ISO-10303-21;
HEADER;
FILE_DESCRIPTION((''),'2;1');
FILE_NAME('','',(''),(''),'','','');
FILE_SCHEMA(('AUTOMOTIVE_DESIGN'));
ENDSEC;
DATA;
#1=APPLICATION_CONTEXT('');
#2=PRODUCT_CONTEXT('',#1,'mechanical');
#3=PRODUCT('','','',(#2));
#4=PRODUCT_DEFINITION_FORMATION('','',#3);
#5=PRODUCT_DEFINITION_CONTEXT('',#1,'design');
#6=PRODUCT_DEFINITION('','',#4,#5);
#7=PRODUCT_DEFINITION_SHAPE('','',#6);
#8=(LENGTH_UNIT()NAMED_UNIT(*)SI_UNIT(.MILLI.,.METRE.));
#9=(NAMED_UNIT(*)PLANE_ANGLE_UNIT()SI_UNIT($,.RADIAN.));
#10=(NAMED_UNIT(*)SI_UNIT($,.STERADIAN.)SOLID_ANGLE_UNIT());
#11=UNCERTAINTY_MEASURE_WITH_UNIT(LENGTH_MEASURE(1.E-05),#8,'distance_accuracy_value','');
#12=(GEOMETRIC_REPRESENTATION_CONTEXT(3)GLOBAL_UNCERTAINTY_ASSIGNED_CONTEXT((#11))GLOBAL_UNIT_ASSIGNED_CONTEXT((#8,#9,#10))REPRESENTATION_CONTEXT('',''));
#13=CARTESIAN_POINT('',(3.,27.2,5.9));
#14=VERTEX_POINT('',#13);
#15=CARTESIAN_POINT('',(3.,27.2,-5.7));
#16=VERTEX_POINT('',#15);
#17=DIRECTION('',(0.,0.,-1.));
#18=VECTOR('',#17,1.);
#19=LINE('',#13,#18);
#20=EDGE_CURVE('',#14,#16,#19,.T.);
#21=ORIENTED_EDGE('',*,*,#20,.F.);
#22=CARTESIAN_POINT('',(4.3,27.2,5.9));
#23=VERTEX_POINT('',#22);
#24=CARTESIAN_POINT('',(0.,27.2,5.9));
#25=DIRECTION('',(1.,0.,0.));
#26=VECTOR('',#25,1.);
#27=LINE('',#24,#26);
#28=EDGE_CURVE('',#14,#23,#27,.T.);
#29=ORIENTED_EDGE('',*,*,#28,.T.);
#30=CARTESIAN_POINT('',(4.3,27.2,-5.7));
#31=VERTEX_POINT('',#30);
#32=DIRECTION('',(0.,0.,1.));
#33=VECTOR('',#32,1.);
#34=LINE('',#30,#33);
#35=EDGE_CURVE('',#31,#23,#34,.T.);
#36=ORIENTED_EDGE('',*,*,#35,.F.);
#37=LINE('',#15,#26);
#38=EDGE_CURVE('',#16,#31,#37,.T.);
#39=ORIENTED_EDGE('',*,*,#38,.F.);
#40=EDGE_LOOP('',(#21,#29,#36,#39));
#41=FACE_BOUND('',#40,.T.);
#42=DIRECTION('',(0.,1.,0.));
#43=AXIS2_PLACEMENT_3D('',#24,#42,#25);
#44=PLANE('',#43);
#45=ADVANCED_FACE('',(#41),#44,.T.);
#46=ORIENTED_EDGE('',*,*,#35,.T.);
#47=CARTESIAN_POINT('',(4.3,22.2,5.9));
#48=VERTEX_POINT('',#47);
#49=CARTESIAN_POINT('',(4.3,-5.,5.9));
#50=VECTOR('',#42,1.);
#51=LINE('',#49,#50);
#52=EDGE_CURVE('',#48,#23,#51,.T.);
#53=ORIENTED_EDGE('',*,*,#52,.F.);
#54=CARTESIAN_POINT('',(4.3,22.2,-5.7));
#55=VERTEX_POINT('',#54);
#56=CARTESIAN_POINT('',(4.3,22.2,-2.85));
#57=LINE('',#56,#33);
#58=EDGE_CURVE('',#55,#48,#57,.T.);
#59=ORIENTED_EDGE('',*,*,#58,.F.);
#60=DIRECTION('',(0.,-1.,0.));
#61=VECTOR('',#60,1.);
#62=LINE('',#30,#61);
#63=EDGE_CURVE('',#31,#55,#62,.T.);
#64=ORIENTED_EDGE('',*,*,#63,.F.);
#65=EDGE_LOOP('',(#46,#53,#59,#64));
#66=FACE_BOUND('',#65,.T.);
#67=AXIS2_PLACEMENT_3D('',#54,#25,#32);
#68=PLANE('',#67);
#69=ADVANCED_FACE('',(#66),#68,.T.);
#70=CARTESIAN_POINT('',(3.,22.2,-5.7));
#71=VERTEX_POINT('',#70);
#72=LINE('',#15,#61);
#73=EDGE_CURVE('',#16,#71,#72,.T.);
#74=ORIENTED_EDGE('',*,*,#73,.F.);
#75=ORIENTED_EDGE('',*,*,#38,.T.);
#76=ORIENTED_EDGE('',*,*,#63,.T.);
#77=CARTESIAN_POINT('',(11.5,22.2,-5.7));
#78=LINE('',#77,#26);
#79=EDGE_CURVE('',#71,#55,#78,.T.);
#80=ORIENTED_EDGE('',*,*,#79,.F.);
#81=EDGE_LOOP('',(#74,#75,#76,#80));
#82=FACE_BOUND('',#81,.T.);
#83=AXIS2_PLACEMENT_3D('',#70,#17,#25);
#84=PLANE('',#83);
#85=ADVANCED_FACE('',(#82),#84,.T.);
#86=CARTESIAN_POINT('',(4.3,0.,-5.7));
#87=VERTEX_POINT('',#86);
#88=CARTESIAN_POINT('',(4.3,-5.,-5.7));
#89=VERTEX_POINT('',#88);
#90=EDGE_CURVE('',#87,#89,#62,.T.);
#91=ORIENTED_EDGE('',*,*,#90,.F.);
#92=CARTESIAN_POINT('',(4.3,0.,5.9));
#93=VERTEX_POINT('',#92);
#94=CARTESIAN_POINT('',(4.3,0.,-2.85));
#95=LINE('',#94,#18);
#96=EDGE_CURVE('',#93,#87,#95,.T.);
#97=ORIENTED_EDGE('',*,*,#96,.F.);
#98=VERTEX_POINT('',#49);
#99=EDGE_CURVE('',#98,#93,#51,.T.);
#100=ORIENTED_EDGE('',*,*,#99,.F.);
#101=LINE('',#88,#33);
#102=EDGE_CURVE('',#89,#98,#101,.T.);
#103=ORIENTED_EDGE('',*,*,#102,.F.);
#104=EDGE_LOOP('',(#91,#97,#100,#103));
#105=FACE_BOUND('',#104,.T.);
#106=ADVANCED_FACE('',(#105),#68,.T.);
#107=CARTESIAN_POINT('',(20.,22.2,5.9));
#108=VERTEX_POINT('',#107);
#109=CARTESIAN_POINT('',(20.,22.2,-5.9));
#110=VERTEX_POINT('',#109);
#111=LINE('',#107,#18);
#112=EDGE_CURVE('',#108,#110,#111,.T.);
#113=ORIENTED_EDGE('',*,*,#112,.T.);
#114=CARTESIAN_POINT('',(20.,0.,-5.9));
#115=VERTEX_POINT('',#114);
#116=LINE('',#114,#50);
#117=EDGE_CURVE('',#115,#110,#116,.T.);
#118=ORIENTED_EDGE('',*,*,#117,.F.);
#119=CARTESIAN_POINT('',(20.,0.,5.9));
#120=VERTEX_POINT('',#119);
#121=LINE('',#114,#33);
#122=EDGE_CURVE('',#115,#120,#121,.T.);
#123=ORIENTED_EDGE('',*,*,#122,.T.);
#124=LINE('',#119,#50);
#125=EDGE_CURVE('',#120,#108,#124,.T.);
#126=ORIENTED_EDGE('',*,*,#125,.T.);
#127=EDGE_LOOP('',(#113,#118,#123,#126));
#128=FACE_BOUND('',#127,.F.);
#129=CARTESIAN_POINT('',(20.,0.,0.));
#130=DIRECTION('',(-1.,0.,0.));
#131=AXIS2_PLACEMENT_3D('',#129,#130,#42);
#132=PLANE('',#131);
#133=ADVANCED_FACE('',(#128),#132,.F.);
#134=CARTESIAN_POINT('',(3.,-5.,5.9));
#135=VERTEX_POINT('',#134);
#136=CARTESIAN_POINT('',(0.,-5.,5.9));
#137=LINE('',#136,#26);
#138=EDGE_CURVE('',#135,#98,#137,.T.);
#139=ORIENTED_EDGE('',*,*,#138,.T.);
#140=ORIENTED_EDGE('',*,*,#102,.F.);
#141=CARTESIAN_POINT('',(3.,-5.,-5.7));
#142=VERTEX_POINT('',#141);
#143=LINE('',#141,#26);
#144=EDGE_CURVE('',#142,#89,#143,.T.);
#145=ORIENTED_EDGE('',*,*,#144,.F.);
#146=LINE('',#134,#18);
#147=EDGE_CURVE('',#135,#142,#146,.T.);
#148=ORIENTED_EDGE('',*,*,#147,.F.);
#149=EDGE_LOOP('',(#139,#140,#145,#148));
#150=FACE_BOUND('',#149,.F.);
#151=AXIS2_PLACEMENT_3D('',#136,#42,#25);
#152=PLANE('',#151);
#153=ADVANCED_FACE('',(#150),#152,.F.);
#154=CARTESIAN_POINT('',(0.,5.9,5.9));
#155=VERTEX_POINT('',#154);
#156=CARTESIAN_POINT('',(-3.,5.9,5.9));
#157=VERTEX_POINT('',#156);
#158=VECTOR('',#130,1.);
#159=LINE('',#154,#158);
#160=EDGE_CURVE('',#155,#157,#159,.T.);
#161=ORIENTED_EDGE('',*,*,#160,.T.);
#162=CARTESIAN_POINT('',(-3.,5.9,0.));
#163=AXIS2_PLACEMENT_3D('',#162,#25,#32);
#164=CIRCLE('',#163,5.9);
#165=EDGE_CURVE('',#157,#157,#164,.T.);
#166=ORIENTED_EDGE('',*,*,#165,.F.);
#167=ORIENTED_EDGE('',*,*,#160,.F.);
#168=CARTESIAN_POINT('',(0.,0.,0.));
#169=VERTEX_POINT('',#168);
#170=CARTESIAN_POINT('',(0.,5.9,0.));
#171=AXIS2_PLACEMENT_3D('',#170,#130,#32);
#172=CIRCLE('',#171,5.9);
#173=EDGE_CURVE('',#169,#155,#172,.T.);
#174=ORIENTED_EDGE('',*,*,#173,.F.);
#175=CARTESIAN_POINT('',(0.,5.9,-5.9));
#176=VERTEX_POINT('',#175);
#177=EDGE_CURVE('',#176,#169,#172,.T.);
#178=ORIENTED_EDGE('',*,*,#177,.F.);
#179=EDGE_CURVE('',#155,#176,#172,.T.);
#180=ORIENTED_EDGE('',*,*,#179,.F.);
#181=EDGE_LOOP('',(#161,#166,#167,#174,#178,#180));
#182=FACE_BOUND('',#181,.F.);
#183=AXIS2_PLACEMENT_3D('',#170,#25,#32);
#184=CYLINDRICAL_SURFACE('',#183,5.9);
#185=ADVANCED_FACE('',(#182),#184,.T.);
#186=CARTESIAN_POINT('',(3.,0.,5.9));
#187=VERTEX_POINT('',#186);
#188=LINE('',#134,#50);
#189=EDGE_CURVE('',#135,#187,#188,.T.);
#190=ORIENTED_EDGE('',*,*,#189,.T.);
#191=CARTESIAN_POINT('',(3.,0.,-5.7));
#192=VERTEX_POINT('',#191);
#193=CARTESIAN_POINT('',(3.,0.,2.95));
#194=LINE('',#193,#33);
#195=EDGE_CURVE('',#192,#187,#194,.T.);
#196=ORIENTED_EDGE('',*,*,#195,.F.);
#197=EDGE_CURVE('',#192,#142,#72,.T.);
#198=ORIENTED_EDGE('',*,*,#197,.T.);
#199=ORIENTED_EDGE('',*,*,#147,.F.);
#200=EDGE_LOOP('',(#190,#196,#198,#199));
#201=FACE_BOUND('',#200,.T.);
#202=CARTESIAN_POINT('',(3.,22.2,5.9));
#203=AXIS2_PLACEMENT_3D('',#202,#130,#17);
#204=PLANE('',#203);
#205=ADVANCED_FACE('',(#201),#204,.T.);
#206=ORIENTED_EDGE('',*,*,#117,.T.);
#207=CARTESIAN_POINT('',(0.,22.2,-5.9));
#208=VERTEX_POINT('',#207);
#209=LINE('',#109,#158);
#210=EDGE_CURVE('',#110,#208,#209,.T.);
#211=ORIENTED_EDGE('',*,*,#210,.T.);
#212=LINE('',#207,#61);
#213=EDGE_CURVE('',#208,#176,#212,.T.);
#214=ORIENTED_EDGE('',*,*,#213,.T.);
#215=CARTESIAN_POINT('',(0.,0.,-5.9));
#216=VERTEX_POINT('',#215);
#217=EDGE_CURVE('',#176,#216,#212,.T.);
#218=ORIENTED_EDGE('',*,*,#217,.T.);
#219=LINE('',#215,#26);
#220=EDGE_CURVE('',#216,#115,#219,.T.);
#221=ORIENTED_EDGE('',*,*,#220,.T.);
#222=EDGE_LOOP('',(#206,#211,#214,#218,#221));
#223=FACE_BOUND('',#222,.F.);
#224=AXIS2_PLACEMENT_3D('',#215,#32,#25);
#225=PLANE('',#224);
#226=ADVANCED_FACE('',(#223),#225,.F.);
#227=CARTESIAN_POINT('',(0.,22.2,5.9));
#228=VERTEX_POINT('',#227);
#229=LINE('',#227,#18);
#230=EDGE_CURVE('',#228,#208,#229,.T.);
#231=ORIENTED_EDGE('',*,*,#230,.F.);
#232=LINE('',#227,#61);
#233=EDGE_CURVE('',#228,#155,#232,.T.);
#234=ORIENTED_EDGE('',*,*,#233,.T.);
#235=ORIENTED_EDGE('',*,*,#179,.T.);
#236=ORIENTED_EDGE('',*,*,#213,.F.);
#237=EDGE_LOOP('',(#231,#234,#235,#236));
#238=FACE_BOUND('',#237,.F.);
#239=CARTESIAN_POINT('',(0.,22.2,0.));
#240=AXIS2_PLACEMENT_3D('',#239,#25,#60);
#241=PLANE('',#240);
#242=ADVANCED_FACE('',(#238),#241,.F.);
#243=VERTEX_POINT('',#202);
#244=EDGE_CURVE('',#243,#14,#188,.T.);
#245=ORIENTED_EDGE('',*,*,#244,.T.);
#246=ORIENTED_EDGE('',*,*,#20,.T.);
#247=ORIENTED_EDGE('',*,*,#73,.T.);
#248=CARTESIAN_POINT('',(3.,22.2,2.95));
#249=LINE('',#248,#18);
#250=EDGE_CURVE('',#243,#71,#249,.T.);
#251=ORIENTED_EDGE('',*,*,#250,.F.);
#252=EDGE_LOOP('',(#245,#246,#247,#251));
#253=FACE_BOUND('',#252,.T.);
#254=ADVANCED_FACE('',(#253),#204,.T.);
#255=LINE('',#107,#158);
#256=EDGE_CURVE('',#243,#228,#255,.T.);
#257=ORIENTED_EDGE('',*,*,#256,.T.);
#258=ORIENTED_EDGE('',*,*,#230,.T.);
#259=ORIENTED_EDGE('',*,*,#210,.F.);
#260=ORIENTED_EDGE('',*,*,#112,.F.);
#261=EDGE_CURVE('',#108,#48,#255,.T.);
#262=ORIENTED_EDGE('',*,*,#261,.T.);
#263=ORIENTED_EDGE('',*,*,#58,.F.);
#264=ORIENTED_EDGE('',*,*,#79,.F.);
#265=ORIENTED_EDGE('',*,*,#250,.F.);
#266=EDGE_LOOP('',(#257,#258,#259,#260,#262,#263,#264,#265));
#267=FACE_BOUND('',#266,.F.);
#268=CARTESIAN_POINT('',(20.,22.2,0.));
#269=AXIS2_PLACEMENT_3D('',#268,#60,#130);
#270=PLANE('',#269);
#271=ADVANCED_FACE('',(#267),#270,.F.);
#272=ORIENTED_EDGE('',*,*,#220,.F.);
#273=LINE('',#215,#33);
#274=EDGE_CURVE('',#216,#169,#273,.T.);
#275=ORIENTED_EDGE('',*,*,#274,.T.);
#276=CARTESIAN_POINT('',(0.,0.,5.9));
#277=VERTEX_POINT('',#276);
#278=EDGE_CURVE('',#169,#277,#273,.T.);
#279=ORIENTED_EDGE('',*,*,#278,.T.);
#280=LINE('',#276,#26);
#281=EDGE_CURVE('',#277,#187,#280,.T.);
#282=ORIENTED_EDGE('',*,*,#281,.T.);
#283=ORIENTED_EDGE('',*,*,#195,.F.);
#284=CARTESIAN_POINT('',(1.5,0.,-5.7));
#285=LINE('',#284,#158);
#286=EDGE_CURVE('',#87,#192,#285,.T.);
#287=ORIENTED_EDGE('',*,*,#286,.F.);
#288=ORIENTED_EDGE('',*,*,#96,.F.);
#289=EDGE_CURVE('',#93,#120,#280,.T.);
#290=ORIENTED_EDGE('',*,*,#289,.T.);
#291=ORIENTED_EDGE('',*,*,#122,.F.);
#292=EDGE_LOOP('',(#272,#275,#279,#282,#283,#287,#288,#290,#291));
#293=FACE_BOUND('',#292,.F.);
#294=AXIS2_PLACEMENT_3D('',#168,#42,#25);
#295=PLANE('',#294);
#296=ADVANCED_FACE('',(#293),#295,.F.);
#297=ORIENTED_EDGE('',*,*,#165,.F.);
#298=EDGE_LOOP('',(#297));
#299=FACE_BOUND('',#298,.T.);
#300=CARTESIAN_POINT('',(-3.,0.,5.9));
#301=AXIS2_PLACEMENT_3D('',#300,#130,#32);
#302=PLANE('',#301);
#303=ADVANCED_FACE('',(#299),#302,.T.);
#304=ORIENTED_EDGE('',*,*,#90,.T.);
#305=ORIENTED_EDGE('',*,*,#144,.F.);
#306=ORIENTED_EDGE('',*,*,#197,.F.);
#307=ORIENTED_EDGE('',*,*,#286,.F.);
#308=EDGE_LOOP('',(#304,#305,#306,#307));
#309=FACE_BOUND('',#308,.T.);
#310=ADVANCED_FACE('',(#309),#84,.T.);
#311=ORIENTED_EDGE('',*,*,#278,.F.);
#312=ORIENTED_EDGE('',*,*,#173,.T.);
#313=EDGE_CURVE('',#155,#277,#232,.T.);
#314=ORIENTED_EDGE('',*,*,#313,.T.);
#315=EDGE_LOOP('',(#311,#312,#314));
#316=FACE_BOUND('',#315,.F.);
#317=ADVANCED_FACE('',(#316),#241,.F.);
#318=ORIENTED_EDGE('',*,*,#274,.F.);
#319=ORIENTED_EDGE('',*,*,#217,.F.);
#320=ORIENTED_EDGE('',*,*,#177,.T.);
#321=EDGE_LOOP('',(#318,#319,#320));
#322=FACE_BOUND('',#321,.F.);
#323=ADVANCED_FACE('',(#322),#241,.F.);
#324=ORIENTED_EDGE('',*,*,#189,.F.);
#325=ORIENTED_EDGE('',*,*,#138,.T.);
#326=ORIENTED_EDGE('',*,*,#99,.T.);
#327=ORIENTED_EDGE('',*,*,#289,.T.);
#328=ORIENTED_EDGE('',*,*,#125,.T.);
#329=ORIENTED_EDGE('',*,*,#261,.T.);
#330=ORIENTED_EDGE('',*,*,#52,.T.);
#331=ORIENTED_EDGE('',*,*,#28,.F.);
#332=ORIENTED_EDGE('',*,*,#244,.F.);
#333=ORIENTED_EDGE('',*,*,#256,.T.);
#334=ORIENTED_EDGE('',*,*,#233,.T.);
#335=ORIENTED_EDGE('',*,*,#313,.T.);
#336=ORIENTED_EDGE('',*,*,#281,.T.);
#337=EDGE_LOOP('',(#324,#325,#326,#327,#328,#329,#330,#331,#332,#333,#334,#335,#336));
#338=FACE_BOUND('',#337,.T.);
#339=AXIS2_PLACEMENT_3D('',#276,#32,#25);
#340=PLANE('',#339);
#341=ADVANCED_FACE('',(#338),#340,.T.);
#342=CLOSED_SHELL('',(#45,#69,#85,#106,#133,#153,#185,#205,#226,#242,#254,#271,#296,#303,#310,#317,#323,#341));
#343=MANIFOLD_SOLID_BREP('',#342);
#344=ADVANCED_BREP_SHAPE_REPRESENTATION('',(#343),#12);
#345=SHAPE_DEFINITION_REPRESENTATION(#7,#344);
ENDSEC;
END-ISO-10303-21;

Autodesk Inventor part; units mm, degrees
ref_plane "YZ Plane" through (0, 0, 0) normal (1, 0, 0) x (0, 1, 0)
ref_plane "XZ Plane" through (0, 0, 0) normal (0, 1, 0) x (-1, 0, 0)
ref_plane "XY Plane" through (0, 0, 0) normal (0, 0, 1) x (1, 0, 0)
sketch "Sketch1" plane through (0, 0, 0) normal (0, 0, 1) x (1, 0, 0)
  line L0 (0, 0) -> (20, 0)
  line L1 (20, 0) -> (20, 22.2)
  line L2 (20, 22.2) -> (0, 22.2)
  line L3 (0, 22.2) -> (0, 0)
  dimension "d0" = 20
  dimension "d1" = 22.2
extrude "Extrusion1" add sketch "Sketch1" along normal mid plane 11.8
sketch "Sketch2" plane through (0, 0, 5.9) normal (-1, 0, 0) x (0, 0, 1)
  circle A0 centre (-5.9, 5.9) radius 5.9
  line L0 (0, 0) -> (-11.8, 0) projected
  line L1 (0, 22.2) -> (0, 0) projected
  point P0 (-5.9, 0)
  dimension "d4" = 5.9
  dimension "d5" = 5.9
  dimension "d6" = 11.8
extrude "Extrusion2" add sketch "Sketch2" along normal blind 3 contours A0
sketch "Sketch3" plane through (0, 22.2, 5.9) normal (0, 1, 0) x (1, 0, 0)
  line L0 (0, 0) -> (20, 0) projected
  line L1 (3, 11.6) -> (4.3, 11.6)
  line L2 (4.3, 11.6) -> (4.3, 0)
  line L3 (4.3, 0) -> (3, 0)
  line L4 (3, 0) -> (3, 11.6)
  line L5 (0, 11.8) -> (0, 0) projected
  point P0 (0, 5.9)
  dimension "d9" = 3
  dimension "d10" = 1.3
  dimension "d11" = 11.6
extrude "Extrusion3" add sketch "Sketch3" along normal blind 5 and the other way blind 27.2
properties part number "Servo"
